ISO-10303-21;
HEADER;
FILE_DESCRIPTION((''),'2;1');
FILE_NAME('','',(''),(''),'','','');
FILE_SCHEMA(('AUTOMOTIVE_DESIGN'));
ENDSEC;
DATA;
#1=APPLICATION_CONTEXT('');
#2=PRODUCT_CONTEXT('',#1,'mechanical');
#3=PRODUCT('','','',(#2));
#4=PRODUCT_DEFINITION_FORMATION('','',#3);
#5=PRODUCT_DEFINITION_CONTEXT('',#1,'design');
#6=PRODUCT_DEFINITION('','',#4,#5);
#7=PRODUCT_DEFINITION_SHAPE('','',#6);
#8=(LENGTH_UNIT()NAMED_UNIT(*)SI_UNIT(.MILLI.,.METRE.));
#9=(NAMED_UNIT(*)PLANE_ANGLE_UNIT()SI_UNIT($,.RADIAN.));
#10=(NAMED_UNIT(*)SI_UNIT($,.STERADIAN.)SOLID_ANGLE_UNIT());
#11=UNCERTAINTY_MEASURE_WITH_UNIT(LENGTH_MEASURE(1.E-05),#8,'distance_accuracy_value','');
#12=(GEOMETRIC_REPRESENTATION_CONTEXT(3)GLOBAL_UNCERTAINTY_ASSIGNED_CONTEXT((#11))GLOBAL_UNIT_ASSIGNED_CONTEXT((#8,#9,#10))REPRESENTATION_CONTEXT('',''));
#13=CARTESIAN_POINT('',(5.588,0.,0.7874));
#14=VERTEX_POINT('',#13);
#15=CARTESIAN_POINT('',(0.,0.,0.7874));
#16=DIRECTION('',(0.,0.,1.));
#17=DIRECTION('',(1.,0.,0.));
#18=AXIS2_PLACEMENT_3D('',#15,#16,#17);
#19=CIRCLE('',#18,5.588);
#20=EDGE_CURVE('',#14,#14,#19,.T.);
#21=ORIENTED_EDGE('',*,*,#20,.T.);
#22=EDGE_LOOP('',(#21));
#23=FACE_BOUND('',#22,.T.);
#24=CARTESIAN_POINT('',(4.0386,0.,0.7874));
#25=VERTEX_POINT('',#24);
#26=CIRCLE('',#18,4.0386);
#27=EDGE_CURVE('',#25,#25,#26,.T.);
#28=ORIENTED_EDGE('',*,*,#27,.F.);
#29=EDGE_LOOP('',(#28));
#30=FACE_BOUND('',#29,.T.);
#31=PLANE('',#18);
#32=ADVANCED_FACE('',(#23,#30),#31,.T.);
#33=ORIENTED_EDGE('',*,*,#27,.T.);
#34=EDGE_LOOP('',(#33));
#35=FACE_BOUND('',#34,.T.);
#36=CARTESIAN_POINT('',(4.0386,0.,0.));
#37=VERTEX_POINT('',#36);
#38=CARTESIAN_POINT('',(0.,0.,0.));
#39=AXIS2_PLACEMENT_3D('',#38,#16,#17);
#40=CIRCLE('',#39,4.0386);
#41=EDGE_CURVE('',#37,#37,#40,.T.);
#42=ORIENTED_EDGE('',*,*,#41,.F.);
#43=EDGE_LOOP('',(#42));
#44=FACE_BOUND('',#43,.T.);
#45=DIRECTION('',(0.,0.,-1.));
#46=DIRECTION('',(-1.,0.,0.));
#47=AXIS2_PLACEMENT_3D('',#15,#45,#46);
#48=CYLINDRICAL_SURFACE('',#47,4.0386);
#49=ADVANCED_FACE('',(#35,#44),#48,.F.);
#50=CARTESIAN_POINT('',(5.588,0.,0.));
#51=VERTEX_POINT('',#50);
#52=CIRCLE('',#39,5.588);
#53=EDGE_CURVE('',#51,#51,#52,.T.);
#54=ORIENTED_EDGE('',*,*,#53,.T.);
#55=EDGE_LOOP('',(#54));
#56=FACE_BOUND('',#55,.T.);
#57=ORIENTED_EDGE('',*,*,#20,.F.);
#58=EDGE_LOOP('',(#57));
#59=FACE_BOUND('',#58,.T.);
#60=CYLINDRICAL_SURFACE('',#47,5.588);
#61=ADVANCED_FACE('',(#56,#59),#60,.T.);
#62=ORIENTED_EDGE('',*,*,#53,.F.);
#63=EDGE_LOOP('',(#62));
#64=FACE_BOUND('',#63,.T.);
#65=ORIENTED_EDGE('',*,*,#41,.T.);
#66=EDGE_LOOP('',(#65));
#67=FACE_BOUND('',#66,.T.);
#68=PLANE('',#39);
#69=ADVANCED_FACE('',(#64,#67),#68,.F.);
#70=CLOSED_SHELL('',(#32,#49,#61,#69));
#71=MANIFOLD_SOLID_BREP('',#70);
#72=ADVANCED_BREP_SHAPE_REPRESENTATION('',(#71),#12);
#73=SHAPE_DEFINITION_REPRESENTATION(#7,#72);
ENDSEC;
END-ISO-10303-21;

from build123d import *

# Parameters (mm, degrees)
SKETCH1_R      = 5.588
SKETCH1_R_2    = 4.0386
EXTRUDE1_DEPTH = 0.7874


with BuildPart() as part:
    # Sketch1 → Extrude1 (new body)
    with BuildSketch(Plane.XY):
        Circle(SKETCH1_R)
        Circle(SKETCH1_R_2, mode=Mode.SUBTRACT)
    extrude(amount=EXTRUDE1_DEPTH)


solid = part.part
